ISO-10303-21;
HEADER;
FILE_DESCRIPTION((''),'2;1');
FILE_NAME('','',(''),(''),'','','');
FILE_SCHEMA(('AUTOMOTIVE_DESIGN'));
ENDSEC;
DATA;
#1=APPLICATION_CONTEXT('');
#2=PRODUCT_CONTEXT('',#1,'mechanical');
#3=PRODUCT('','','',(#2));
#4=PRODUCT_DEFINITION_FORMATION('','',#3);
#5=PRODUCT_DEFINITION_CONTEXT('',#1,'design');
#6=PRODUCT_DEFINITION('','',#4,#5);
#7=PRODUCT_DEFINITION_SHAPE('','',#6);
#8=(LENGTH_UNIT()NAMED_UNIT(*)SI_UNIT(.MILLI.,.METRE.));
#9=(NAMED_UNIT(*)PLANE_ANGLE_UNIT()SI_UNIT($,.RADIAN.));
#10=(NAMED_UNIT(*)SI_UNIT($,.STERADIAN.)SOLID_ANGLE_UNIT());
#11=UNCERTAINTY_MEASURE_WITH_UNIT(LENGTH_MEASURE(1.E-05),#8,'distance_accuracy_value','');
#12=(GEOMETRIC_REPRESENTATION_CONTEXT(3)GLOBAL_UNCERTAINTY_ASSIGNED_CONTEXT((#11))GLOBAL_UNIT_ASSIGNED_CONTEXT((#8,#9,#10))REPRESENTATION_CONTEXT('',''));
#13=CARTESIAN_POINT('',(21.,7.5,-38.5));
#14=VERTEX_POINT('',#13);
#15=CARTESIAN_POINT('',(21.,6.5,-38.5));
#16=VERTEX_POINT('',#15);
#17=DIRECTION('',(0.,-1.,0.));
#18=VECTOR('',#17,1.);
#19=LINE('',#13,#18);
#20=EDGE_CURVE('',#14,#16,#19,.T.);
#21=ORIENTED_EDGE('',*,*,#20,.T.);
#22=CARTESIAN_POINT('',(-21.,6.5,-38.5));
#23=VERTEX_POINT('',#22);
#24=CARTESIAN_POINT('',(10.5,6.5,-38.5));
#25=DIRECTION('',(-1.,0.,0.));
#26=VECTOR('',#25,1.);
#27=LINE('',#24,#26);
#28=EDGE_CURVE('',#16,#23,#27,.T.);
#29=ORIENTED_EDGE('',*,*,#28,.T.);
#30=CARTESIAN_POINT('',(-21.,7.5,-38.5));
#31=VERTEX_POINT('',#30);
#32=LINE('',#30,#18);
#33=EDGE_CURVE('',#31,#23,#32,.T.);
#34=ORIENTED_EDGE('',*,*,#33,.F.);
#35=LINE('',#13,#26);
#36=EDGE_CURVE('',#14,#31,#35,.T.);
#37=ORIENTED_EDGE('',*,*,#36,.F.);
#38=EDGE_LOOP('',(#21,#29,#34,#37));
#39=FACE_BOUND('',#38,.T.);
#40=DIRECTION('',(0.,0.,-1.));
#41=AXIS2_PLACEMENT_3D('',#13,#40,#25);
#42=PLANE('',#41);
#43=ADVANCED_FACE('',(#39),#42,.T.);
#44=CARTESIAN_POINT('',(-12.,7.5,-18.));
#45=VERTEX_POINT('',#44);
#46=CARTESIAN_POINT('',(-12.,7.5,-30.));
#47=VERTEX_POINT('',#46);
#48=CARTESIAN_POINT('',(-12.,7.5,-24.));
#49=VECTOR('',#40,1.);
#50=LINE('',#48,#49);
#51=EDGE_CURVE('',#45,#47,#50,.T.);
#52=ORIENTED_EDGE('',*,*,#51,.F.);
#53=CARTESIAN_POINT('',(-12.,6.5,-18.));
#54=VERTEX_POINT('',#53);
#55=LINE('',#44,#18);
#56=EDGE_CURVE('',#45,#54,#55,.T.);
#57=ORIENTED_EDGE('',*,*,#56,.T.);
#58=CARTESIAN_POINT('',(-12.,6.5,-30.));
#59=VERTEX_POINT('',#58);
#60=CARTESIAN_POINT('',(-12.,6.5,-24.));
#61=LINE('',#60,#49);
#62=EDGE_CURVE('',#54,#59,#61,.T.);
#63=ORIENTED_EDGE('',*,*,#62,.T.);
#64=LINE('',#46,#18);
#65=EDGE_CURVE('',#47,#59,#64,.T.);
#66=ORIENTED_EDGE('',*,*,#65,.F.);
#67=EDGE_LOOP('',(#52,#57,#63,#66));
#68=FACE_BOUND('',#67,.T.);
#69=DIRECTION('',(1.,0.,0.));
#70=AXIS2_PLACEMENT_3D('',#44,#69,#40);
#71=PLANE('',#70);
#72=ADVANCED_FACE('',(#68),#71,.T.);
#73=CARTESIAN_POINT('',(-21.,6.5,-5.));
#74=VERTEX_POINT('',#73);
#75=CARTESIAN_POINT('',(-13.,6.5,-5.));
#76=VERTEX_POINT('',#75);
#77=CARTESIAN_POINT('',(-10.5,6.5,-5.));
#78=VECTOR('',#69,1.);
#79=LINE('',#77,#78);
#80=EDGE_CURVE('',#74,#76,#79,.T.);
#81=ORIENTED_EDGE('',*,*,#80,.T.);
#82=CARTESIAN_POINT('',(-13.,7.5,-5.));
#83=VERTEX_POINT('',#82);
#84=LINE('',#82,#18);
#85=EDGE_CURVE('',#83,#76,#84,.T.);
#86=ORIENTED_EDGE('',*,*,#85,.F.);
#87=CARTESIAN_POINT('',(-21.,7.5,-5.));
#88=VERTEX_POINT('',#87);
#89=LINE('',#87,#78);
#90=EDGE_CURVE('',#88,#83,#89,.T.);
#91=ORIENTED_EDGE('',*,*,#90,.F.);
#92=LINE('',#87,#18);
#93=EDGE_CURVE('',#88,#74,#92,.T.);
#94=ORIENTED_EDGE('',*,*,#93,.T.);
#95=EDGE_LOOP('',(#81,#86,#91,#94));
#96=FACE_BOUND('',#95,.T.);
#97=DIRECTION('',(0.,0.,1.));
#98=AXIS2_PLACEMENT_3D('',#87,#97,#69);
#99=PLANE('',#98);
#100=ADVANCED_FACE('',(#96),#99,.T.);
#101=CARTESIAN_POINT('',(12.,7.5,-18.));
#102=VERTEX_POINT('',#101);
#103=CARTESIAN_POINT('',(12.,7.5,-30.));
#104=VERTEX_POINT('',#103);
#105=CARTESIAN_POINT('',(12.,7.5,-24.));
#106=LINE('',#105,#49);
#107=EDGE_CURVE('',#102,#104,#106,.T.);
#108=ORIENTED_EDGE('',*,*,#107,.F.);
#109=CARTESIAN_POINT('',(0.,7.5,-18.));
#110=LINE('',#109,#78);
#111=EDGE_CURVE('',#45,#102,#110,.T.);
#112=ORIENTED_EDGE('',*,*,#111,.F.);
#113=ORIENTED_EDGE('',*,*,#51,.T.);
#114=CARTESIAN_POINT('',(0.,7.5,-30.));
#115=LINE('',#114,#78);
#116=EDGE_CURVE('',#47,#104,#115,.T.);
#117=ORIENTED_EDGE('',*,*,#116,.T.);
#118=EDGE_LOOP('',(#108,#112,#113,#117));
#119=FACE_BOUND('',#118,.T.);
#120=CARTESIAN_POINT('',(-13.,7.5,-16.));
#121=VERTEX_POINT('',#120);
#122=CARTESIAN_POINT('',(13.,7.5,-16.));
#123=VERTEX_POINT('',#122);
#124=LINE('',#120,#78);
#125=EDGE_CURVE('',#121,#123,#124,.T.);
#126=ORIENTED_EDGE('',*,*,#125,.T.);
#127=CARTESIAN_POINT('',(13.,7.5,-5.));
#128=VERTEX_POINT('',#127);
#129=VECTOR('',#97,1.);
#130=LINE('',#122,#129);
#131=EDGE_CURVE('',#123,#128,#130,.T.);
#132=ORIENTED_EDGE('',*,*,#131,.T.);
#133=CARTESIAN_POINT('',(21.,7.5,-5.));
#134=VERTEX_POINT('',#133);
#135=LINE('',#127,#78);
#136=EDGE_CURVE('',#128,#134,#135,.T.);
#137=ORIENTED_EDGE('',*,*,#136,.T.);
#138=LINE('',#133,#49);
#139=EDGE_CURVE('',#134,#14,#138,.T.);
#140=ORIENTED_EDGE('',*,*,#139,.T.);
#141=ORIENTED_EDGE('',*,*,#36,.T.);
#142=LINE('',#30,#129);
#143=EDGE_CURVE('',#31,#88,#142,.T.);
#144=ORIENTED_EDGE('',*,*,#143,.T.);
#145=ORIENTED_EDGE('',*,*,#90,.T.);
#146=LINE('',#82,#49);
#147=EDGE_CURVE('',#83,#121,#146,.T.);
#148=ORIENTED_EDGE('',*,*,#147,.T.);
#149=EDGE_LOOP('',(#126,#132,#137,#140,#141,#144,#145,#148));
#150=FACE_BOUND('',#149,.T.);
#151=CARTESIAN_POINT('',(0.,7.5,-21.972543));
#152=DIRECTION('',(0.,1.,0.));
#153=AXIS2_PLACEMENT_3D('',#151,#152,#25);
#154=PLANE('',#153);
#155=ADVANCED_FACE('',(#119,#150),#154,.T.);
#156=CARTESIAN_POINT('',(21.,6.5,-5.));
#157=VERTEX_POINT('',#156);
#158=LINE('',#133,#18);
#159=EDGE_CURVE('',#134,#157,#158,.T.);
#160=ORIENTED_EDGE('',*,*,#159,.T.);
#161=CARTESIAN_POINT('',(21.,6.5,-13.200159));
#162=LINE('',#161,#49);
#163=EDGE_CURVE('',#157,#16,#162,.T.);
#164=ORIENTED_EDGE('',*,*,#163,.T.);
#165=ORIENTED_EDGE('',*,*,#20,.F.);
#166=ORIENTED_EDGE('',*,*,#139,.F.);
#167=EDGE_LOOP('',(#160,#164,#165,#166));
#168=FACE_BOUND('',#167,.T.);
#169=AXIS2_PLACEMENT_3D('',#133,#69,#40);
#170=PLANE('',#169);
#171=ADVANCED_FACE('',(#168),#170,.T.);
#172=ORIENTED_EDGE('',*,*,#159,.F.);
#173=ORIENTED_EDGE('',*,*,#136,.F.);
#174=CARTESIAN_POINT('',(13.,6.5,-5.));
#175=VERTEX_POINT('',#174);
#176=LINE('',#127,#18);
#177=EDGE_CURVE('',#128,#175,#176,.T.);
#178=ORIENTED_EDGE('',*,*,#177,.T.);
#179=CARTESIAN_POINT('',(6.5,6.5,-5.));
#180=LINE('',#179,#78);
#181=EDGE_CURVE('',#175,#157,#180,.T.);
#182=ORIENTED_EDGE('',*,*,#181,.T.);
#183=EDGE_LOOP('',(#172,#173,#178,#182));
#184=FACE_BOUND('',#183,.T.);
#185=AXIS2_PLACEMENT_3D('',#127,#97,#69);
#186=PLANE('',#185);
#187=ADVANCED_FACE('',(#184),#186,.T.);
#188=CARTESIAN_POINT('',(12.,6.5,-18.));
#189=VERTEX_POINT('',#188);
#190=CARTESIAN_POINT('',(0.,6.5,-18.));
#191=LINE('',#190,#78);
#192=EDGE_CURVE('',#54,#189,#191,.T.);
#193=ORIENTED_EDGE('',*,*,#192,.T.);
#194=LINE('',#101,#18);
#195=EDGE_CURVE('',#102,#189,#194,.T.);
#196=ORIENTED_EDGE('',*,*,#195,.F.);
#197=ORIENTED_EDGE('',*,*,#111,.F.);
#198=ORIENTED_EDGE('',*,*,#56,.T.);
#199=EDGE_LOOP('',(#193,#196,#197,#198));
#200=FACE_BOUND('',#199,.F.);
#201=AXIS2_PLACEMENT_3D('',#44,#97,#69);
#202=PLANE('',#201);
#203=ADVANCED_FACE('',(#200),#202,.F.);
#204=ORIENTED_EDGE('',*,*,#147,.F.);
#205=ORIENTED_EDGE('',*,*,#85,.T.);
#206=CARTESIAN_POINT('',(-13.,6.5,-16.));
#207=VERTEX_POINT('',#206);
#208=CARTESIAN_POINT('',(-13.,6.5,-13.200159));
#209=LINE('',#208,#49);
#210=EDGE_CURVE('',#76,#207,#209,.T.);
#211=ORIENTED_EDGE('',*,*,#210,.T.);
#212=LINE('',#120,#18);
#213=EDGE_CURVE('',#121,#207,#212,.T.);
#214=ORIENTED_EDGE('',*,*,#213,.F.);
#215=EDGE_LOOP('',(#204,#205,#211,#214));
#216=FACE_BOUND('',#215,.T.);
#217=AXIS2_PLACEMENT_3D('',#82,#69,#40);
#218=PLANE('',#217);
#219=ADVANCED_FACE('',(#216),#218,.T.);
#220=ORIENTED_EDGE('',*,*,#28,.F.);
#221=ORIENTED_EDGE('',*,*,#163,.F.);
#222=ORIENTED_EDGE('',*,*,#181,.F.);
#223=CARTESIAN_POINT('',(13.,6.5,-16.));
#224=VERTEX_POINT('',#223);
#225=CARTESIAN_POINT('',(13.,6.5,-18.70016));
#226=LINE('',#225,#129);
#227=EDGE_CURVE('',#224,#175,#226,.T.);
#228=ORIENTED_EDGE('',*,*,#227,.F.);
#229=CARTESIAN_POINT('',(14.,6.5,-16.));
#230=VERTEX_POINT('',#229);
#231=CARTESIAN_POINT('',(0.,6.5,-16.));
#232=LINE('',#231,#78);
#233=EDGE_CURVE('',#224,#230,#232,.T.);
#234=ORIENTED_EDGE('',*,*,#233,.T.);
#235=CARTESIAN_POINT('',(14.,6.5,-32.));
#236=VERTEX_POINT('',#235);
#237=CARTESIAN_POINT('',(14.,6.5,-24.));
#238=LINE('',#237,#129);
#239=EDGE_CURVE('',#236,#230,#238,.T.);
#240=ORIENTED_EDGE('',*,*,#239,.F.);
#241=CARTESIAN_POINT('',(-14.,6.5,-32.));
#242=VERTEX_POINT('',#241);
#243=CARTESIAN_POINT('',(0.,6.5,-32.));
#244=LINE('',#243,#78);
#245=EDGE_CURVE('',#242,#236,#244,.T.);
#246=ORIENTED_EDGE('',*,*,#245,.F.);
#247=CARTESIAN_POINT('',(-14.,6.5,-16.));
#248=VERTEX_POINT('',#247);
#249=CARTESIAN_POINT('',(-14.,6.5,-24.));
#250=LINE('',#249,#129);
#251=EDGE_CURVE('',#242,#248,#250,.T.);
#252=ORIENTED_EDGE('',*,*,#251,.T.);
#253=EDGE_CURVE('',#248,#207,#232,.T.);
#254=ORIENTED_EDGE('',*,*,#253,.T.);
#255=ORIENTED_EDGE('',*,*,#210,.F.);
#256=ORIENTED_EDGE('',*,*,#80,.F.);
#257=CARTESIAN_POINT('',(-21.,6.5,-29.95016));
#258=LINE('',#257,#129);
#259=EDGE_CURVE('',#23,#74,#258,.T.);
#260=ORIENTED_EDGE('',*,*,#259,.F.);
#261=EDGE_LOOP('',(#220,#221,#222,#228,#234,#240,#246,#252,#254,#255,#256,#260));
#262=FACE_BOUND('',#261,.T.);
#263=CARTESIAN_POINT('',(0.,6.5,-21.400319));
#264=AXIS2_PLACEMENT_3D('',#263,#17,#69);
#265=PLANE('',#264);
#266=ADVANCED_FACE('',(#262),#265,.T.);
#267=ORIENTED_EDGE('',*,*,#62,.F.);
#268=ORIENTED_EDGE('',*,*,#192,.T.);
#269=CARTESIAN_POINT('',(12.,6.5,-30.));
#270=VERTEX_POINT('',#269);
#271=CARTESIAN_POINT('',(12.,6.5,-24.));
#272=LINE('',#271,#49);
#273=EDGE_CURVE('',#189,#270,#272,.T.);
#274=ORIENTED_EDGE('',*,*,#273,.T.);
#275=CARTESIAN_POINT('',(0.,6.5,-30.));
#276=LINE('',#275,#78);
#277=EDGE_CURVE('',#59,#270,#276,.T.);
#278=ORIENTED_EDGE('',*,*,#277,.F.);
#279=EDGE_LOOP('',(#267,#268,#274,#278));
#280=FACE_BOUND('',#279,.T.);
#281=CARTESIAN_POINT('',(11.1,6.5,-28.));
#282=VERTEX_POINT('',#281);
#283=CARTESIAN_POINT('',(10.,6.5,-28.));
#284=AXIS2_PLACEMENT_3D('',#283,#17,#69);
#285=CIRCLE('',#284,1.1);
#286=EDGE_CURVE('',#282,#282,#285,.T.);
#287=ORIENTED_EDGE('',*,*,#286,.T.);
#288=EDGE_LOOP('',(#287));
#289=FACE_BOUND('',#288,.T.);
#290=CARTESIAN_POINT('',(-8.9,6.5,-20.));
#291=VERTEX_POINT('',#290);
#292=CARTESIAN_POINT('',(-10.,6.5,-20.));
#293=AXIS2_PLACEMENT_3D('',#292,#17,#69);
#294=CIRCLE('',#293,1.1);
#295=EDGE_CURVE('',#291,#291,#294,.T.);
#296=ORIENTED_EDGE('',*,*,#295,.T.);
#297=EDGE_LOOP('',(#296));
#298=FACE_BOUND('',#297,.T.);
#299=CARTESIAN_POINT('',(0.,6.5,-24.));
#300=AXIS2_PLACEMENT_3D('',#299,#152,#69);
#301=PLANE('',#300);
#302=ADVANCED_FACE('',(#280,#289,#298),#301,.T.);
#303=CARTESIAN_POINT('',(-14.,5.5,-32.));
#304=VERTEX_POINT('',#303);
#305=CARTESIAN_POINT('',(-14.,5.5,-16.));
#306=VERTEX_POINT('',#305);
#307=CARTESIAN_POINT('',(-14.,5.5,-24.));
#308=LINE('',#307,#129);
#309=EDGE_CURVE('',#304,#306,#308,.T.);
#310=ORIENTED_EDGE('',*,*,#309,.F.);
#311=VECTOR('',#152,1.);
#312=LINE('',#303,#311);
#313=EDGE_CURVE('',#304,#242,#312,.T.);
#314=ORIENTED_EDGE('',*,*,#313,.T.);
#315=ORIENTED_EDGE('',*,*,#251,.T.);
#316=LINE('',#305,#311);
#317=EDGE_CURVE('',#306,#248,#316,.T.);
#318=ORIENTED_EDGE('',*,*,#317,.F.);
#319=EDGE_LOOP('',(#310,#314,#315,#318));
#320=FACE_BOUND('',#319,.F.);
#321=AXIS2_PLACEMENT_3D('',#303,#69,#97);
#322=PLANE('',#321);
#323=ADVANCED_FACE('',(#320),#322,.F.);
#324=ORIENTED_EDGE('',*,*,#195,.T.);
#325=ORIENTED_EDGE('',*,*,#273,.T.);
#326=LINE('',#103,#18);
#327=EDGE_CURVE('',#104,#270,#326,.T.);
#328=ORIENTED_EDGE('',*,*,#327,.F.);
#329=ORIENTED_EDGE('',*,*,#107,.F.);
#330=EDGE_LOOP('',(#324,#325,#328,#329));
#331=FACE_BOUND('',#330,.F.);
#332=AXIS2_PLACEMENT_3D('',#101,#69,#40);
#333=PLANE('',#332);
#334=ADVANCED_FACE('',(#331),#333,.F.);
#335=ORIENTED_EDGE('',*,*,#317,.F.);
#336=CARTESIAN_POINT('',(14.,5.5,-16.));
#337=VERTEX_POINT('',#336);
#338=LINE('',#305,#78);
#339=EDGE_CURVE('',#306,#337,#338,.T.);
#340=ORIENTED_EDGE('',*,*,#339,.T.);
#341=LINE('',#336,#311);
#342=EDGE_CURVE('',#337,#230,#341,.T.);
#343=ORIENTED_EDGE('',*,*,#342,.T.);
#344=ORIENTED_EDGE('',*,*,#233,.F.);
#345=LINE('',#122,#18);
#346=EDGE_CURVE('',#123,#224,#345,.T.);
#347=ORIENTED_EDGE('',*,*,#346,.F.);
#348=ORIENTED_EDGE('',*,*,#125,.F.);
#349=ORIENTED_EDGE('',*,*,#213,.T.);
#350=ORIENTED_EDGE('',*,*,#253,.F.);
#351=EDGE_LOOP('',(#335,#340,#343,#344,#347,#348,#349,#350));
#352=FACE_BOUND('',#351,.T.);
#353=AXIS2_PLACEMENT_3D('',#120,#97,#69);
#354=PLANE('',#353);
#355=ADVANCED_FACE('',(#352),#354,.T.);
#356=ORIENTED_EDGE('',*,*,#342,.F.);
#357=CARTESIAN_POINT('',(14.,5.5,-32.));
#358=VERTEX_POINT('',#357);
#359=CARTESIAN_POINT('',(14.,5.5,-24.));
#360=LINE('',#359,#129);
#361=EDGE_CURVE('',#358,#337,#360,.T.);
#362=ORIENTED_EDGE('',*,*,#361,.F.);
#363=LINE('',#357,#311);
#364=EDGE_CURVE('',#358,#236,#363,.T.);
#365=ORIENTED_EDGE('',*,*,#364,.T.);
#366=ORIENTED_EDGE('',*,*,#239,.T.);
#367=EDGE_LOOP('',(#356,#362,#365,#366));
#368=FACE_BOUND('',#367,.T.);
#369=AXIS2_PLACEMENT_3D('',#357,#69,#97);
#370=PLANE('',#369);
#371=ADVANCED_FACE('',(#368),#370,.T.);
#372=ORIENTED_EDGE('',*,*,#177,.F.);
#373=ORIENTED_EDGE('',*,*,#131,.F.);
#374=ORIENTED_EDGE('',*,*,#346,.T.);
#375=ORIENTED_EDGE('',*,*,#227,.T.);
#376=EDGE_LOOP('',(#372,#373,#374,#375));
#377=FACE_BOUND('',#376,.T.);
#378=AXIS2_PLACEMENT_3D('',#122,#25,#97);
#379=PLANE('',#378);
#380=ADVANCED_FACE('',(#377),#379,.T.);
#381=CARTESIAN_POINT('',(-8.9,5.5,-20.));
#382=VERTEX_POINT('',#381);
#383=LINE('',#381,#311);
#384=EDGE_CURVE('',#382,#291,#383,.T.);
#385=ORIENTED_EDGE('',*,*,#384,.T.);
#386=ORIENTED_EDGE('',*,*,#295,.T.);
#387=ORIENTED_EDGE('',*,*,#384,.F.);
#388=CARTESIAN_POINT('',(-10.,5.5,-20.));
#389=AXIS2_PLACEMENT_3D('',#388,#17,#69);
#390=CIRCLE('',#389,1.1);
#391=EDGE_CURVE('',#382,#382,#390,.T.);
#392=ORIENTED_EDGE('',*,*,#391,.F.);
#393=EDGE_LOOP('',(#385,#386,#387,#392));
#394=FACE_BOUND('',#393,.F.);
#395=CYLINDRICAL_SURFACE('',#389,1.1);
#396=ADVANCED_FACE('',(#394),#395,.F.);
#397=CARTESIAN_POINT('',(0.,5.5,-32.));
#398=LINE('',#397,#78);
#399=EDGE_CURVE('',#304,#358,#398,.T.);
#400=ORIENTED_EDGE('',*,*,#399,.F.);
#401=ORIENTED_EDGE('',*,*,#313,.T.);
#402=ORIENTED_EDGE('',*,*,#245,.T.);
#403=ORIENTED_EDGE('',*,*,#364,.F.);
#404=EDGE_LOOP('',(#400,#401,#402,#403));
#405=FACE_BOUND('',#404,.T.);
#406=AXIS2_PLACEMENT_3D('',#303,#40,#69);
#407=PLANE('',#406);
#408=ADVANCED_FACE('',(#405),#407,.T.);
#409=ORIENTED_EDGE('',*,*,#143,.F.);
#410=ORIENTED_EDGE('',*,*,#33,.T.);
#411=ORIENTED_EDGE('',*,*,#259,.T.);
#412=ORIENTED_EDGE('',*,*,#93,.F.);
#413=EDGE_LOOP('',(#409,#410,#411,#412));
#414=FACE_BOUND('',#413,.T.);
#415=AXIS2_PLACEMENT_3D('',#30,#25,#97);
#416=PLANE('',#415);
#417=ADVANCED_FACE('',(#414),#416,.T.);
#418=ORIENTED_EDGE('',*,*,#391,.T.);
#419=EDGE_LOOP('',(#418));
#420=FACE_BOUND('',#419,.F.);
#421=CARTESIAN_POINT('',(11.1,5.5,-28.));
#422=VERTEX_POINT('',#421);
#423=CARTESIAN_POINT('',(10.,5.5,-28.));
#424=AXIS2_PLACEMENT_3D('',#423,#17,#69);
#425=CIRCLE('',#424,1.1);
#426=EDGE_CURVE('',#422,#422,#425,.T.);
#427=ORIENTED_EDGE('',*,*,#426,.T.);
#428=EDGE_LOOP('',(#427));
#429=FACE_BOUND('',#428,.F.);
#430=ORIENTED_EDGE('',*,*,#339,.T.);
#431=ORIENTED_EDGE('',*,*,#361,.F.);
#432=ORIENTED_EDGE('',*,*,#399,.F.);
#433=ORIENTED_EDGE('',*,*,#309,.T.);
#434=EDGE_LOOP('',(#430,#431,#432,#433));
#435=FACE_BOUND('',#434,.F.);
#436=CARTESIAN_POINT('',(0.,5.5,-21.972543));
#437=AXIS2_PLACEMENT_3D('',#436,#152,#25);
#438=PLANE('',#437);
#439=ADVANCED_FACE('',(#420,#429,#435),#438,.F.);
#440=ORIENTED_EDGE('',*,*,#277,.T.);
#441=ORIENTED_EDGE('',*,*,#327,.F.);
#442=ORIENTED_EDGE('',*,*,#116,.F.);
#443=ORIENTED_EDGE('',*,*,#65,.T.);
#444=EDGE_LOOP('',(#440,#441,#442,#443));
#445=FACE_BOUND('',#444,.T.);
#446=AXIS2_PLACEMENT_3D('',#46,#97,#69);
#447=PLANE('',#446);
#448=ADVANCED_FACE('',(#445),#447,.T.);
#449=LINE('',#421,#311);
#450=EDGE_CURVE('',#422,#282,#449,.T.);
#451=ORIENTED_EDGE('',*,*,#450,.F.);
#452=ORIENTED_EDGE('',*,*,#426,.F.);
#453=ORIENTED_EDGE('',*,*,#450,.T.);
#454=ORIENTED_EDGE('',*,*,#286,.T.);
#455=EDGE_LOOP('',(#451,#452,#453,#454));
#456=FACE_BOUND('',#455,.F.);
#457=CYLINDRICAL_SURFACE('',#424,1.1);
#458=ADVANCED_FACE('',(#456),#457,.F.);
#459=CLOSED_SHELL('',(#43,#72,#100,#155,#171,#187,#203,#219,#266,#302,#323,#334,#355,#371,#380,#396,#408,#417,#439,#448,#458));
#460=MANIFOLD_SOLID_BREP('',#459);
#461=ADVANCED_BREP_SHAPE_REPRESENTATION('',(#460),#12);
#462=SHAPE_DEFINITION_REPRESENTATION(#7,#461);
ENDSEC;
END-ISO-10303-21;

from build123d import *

# Parameters (mm, degrees)
PAD113_DEPTH    = 2
SKETCH171_W     = 24
SKETCH171_H     = 12
POCKET010_DEPTH = 1
SKETCH172_W     = 46.237046
SKETCH172_H     = 37.182623
SKETCH172_W_2   = 28
SKETCH172_H_2   = 16
POCKET011_DEPTH = 1
SKETCH301_R     = 1.1
POCKET046_DEPTH = 5


with BuildPart() as part:
    # Sketch170 → Pad113 (new body)
    with BuildSketch(Plane.XZ):
        Polygon((21, -5), (21, -38.5), (-21, -38.5), (-21, -5), (-13, -5), (-13, -16), (13, -16), (13, -5), align=None)
    extrude(amount=PAD113_DEPTH)

    # Sketch171 (on Face9 of Pad113) → Pocket010 (cut)
    with BuildSketch(Plane(origin=(0, 0, 0), x_dir=(1, 0, 0), z_dir=(0, 1, 0))):
        with Locations((0, 24)):
            Rectangle(SKETCH171_W, SKETCH171_H)
    extrude(amount=-POCKET010_DEPTH, mode=Mode.SUBTRACT)

    # Sketch172 (on Face5 of Pocket010) → Pocket011 (cut)
    with BuildSketch(Plane.XZ.offset(2)):
        with Locations((0, -21.400319)):
            Rectangle(SKETCH172_W, SKETCH172_H)
        with Locations((0, -24)):
            Rectangle(SKETCH172_W_2, SKETCH172_H_2, mode=Mode.SUBTRACT)
    extrude(amount=-POCKET011_DEPTH, mode=Mode.SUBTRACT)

    # Sketch301 (on Face22 of Pocket011) → Pocket046 (cut)
    with BuildSketch(Plane.XZ.offset(2)):
        with Locations((10, -28)):
            Circle(SKETCH301_R)
        with Locations((-10, -20)):
            Circle(SKETCH301_R)
    extrude(amount=-POCKET046_DEPTH, mode=Mode.SUBTRACT)


with BuildPart() as part_1:
    # Body013 placement: moved
    add(part.part.moved(Location((0, 7.5, 0))))


solid = part_1.part
